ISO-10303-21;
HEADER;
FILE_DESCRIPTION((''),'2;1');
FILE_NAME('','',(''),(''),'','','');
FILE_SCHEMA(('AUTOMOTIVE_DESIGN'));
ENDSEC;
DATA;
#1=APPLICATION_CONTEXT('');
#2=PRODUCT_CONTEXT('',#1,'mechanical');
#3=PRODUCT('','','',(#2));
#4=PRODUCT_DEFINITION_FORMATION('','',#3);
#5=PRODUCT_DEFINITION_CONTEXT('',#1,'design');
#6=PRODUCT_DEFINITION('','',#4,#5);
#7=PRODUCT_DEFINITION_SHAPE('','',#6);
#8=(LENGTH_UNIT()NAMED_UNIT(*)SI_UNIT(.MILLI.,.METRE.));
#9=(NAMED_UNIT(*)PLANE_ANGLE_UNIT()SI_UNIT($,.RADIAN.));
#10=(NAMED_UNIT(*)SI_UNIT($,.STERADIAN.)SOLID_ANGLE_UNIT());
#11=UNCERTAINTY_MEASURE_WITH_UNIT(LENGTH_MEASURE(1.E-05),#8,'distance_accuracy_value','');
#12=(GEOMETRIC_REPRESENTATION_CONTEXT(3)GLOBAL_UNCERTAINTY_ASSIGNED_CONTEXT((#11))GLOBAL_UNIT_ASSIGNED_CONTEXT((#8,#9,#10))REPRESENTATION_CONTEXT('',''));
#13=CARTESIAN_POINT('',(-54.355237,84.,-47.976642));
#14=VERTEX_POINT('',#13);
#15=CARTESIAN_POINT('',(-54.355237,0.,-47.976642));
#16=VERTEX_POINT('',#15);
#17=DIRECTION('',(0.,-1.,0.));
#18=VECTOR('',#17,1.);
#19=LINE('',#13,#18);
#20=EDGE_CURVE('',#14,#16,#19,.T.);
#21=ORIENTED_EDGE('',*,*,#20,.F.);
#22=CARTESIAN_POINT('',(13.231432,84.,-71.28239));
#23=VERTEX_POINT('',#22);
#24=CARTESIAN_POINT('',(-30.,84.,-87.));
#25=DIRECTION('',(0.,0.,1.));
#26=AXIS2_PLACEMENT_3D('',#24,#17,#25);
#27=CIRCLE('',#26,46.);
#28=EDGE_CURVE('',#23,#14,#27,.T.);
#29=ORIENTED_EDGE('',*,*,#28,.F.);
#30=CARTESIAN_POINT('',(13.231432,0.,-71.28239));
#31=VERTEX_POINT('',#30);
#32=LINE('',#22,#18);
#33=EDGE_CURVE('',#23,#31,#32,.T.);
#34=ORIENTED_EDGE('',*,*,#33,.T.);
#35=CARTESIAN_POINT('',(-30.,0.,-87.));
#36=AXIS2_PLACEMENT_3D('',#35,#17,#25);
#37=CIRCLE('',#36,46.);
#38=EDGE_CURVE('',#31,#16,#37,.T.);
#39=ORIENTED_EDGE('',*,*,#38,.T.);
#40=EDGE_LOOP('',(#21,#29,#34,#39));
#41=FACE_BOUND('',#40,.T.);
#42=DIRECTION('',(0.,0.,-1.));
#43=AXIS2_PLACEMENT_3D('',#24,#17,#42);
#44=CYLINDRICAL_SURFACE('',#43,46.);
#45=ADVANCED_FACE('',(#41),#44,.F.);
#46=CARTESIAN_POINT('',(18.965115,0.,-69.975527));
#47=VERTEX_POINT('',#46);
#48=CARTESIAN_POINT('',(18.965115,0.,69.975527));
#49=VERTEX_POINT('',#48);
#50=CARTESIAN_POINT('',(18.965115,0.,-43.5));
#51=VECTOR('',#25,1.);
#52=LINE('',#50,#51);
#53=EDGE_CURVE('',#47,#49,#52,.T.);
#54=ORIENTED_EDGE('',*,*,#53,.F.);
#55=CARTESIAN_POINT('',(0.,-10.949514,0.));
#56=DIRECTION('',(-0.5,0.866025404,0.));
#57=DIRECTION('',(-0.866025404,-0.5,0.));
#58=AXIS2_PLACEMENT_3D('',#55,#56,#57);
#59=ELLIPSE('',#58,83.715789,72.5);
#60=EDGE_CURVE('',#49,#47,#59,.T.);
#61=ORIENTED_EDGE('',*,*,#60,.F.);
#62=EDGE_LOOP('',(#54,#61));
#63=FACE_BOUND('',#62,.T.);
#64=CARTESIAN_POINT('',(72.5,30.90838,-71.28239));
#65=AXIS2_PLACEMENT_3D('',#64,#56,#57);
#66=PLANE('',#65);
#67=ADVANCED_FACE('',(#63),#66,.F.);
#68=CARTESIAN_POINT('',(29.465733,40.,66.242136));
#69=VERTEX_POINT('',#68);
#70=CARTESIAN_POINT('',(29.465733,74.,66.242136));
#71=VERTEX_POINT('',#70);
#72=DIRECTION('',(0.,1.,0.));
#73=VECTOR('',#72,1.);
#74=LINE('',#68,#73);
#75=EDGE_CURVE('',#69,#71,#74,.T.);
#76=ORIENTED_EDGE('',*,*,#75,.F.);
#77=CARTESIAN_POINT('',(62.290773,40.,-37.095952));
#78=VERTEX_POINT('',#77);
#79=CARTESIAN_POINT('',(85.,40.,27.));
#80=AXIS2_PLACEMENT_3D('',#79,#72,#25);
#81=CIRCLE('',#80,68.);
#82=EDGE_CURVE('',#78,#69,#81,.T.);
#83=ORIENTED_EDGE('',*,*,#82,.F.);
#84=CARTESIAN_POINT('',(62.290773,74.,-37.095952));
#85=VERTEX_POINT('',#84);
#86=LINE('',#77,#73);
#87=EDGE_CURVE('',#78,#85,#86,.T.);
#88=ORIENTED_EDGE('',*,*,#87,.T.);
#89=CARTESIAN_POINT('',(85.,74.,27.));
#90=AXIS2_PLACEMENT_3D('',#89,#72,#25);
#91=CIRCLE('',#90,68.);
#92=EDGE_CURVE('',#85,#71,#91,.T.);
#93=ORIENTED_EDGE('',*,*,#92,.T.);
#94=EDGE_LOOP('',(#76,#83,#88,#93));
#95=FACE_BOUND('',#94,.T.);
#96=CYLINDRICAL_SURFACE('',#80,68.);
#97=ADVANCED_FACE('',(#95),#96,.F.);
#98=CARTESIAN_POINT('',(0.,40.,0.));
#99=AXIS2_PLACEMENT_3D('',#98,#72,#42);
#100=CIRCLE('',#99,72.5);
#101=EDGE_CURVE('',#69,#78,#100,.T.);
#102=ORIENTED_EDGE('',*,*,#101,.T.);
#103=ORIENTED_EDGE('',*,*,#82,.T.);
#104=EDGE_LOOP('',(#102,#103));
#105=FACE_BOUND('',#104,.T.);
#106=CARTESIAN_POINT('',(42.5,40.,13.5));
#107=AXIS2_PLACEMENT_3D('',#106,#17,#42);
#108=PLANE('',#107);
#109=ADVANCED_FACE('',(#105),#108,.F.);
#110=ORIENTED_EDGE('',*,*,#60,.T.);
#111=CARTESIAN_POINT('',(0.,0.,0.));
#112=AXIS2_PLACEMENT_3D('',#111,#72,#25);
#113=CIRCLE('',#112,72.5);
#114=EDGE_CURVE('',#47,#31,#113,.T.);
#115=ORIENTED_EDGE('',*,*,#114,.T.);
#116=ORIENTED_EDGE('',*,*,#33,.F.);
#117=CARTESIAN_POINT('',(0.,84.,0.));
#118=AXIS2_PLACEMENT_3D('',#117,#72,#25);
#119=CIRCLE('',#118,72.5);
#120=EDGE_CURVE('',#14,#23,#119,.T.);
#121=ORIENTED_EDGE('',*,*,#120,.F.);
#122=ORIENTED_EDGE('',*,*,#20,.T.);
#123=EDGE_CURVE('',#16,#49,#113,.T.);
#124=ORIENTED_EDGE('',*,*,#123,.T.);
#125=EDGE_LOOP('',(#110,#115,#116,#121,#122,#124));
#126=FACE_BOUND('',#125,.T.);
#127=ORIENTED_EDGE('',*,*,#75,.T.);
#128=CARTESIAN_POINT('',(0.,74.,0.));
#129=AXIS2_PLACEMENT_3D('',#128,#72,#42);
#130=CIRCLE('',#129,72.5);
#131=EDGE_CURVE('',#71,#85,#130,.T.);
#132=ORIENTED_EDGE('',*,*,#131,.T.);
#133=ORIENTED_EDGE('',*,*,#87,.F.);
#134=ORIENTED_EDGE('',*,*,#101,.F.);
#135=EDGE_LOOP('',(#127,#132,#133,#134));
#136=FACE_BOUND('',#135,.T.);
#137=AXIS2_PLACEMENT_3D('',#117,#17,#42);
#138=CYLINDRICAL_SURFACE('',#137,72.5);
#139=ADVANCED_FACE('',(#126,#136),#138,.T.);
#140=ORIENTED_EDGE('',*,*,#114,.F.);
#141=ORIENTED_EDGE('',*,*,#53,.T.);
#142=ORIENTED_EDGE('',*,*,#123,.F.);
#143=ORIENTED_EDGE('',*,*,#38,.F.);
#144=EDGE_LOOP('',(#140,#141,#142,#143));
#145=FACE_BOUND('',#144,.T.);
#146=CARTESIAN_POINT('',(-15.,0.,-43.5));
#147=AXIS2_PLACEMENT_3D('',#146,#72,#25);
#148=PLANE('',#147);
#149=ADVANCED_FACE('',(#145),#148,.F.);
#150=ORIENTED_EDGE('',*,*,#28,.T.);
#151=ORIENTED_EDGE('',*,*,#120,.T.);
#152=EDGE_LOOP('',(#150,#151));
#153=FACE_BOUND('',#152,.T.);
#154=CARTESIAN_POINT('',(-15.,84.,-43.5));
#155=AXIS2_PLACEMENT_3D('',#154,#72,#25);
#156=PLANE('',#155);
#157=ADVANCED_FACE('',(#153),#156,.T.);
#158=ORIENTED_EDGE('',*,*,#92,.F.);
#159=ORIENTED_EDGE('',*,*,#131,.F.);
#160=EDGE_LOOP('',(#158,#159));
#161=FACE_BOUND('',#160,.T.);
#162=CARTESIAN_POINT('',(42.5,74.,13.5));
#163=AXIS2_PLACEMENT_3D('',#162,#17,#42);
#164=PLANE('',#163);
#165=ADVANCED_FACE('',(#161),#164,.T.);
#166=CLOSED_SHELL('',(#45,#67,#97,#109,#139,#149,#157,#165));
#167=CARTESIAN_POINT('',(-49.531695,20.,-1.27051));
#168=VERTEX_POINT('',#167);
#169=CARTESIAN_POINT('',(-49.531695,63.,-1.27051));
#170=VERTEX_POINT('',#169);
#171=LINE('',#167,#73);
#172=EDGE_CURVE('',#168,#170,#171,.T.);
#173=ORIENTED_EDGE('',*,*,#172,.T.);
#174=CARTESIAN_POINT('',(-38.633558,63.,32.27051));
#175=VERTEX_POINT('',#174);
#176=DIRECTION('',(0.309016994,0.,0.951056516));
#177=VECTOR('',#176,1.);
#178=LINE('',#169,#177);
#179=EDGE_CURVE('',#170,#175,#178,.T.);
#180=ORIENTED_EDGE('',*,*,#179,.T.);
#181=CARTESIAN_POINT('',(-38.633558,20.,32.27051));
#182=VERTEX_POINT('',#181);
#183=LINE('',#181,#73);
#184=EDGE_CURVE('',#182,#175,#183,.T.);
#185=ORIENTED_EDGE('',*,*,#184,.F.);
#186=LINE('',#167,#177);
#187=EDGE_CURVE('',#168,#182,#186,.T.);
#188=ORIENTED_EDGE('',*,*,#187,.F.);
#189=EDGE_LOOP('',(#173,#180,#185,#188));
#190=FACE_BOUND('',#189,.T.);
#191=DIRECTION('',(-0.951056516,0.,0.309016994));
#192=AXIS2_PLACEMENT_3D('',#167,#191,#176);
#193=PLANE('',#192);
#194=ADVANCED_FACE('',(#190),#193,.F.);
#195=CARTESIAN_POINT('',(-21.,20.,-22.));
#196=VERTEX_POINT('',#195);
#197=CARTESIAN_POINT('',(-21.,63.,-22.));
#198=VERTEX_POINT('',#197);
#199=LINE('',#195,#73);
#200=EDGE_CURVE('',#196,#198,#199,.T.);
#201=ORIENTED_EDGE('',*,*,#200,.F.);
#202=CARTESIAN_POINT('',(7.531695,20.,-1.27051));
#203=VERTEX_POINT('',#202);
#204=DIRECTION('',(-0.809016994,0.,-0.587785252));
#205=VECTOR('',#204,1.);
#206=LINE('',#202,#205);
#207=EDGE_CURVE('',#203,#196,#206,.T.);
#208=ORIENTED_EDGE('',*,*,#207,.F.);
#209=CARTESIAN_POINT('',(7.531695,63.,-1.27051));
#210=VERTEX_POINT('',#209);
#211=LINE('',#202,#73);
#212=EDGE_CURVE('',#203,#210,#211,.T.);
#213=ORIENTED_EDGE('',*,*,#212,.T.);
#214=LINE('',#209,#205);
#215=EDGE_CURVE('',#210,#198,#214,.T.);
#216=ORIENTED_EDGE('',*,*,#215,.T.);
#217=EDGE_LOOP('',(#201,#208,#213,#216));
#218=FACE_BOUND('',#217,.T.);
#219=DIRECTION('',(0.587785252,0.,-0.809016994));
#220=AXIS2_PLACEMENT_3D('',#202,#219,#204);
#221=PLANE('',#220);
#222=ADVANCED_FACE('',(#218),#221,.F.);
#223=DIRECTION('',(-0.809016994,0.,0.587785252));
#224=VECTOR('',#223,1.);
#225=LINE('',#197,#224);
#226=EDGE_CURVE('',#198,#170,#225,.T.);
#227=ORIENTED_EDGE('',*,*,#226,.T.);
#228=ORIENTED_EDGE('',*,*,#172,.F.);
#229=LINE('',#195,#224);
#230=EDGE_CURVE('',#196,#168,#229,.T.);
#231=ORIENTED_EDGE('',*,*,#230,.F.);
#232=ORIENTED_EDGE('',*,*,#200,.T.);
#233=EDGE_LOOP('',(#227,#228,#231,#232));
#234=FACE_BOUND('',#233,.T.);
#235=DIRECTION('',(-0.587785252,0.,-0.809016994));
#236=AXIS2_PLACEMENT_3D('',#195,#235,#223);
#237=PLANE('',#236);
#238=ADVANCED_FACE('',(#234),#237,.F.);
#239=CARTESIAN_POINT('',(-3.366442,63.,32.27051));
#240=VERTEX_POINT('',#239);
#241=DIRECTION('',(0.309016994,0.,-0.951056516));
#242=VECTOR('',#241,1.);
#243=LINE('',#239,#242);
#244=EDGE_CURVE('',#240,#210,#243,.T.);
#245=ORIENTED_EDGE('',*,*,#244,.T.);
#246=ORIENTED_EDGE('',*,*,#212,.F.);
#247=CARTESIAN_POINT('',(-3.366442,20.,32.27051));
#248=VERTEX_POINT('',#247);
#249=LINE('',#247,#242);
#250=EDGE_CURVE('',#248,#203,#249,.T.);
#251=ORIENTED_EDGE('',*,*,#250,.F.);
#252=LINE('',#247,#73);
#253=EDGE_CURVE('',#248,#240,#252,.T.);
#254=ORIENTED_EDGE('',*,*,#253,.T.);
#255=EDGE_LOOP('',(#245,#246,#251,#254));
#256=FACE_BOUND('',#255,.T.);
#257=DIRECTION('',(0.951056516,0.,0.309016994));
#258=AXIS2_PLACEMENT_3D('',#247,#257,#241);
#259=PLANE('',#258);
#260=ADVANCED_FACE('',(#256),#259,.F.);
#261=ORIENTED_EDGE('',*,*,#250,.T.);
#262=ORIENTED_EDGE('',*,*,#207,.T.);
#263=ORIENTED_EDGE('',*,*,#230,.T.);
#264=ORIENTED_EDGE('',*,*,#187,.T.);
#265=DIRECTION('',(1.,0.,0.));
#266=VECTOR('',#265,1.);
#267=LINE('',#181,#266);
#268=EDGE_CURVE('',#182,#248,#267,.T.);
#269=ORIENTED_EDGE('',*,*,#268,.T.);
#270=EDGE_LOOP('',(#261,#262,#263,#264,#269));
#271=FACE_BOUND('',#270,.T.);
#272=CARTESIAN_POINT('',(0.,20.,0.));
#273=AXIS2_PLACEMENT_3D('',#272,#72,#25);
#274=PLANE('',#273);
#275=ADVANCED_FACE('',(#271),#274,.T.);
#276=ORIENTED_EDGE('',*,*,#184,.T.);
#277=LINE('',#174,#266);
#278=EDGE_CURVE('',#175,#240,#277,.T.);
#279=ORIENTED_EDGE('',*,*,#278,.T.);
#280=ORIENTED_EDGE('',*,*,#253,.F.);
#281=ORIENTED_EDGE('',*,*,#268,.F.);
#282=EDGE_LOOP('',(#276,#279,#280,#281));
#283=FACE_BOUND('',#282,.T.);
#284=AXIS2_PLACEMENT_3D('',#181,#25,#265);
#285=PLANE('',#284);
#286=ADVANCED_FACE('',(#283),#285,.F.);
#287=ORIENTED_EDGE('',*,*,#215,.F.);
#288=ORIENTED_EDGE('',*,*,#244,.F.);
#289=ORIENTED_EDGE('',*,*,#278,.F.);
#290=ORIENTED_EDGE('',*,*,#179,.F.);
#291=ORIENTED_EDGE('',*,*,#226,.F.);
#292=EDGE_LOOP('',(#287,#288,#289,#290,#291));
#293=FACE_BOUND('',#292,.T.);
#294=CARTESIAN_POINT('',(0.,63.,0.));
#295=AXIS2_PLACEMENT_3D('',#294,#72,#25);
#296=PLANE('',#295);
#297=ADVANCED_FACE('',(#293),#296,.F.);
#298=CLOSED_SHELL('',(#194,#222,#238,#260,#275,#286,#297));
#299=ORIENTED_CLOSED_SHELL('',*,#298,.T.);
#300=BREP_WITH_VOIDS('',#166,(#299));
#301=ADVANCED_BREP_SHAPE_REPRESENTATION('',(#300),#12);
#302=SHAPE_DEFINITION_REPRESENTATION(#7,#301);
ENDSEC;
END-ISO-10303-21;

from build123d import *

# Parameters (mm, degrees)
BOSS_EXTRUDE1_DEPTH = 84
CUT_EXTRUDE2_DEPTH  = 34
CUT_EXTRUDE3_DEPTH  = 144.7823905
CUT_EXTRUDE4_DEPTH  = 43


with BuildPart() as part:
    # Sketch1 → Boss-Extrude1 (new body)
    with BuildSketch(Plane(origin=(0, 0, 0), x_dir=(1, 0, 0), z_dir=(0, 1, 0))):
        with BuildLine():
            ThreePointArc((-54.355236912, 47.976642444), (23.634324541, -68.539541168), (13.231432449, 71.2823905))
            ThreePointArc((13.231432449, 71.2823905), (-15.004428567, 43.512842845), (-54.355236912, 47.976642444))
        make_face()
    extrude(amount=BOSS_EXTRUDE1_DEPTH)

    # Sketch3 → Cut-Extrude2 (cut)
    with BuildSketch(Plane(origin=(0, 74, 0), x_dir=(1, 0, 0), z_dir=(0, 1, 0))):
        with BuildLine():
            ThreePointArc((62.290772837, 37.095951523), (20.191041077, -6.413624813), (29.465733324, -66.242135833))
            ThreePointArc((29.465733324, -66.242135833), (69.097787087, -21.948708839), (62.290772837, 37.095951523))
        make_face()
    extrude(amount=-CUT_EXTRUDE2_DEPTH, mode=Mode.SUBTRACT)

    # Sketch9 → Cut-Extrude3 (cut, through all)
    with BuildSketch(Plane.XY.offset(72.5)):
        Polygon((72.5, 30.908380348), (18.965114857, 0), (72.5, 0), align=None)
    extrude(amount=-CUT_EXTRUDE3_DEPTH, mode=Mode.SUBTRACT)

    # Sketch10 → Cut-Extrude4 (cut)
    with BuildSketch(Plane(origin=(0, 63, 0), x_dir=(1, 0, 0), z_dir=(0, 1, 0))):
        Polygon((-3.366442431, -32.270509831), (7.531695489, 1.270509831), (-21, 22), (-49.531695489, 1.270509831), (-38.633557569, -32.270509831), align=None)
    extrude(amount=-CUT_EXTRUDE4_DEPTH, mode=Mode.SUBTRACT)


solid = part.part
